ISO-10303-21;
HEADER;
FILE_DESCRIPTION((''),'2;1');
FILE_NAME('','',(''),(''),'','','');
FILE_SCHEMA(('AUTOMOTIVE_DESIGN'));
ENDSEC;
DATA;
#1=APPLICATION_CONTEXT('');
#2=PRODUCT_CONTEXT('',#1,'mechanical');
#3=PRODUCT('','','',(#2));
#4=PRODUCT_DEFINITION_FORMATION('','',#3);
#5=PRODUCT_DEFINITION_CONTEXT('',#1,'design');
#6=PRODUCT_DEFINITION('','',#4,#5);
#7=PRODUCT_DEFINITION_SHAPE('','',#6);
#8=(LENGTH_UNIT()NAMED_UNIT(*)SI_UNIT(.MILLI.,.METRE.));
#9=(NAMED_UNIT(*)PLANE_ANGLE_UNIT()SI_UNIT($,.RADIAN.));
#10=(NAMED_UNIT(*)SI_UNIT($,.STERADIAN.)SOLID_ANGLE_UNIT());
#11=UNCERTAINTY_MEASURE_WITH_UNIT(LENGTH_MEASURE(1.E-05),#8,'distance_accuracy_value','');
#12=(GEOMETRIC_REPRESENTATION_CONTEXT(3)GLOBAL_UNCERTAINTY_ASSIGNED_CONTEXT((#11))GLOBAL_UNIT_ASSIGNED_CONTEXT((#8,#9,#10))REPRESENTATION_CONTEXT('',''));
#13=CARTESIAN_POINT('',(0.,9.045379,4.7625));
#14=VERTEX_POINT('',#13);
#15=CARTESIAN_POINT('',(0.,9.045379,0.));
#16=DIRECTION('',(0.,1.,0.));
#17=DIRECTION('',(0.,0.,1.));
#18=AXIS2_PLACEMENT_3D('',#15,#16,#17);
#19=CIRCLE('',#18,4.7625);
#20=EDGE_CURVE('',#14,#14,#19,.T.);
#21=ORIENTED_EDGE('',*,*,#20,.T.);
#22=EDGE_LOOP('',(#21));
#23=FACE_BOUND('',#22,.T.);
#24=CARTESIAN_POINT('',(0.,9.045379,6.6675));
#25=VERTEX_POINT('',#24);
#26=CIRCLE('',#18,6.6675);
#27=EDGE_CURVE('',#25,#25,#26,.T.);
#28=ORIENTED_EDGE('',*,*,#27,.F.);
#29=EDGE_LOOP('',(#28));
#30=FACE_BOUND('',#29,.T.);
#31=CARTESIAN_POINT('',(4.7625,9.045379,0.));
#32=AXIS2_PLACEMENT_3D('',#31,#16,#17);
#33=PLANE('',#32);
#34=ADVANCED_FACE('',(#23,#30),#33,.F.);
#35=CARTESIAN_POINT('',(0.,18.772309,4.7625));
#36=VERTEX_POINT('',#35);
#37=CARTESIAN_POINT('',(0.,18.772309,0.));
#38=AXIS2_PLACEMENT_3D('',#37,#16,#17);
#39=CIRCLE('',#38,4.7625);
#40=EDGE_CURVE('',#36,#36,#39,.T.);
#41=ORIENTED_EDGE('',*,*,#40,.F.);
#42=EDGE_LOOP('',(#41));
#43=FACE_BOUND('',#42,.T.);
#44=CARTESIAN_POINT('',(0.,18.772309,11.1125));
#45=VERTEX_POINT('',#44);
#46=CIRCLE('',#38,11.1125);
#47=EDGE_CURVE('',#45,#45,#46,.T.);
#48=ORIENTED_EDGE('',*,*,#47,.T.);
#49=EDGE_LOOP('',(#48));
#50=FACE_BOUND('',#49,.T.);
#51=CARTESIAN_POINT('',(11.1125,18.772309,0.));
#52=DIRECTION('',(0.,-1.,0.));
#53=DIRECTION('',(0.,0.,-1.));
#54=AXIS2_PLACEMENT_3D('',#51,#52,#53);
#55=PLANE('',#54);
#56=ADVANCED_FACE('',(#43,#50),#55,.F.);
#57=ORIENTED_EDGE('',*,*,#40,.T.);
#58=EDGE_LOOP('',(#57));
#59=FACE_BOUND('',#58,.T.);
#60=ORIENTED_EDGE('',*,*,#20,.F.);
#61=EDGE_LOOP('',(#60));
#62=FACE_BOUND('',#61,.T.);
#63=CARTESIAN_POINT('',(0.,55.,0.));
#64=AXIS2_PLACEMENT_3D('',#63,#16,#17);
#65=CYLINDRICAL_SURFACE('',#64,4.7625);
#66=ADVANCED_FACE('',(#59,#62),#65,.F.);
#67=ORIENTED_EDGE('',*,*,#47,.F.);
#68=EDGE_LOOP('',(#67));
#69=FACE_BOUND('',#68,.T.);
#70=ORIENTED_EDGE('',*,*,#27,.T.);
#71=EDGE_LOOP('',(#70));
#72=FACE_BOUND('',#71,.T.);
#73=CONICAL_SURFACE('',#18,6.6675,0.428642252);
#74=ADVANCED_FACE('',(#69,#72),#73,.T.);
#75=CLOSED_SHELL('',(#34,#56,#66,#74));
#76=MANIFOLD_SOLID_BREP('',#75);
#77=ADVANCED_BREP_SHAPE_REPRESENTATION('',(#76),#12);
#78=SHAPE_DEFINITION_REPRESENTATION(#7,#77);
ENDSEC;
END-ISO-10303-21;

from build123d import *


with BuildPart() as part:
    # Sketch2 → Revolve1 (revolve)
    with BuildSketch(Plane.XY, mode=Mode.PRIVATE) as revolve1_sk:
        Polygon((4.7625, 18.772308679), (4.7625, 9.045378679), (6.6675, 9.045378679), (11.1125, 18.772308679), align=None)
    revolve(revolve1_sk.sketch.rotate(Axis((0, 55, 0), (0, -1, 0)), 90), axis=Axis((0, 55, 0), (0, -1, 0)))


solid = part.part
